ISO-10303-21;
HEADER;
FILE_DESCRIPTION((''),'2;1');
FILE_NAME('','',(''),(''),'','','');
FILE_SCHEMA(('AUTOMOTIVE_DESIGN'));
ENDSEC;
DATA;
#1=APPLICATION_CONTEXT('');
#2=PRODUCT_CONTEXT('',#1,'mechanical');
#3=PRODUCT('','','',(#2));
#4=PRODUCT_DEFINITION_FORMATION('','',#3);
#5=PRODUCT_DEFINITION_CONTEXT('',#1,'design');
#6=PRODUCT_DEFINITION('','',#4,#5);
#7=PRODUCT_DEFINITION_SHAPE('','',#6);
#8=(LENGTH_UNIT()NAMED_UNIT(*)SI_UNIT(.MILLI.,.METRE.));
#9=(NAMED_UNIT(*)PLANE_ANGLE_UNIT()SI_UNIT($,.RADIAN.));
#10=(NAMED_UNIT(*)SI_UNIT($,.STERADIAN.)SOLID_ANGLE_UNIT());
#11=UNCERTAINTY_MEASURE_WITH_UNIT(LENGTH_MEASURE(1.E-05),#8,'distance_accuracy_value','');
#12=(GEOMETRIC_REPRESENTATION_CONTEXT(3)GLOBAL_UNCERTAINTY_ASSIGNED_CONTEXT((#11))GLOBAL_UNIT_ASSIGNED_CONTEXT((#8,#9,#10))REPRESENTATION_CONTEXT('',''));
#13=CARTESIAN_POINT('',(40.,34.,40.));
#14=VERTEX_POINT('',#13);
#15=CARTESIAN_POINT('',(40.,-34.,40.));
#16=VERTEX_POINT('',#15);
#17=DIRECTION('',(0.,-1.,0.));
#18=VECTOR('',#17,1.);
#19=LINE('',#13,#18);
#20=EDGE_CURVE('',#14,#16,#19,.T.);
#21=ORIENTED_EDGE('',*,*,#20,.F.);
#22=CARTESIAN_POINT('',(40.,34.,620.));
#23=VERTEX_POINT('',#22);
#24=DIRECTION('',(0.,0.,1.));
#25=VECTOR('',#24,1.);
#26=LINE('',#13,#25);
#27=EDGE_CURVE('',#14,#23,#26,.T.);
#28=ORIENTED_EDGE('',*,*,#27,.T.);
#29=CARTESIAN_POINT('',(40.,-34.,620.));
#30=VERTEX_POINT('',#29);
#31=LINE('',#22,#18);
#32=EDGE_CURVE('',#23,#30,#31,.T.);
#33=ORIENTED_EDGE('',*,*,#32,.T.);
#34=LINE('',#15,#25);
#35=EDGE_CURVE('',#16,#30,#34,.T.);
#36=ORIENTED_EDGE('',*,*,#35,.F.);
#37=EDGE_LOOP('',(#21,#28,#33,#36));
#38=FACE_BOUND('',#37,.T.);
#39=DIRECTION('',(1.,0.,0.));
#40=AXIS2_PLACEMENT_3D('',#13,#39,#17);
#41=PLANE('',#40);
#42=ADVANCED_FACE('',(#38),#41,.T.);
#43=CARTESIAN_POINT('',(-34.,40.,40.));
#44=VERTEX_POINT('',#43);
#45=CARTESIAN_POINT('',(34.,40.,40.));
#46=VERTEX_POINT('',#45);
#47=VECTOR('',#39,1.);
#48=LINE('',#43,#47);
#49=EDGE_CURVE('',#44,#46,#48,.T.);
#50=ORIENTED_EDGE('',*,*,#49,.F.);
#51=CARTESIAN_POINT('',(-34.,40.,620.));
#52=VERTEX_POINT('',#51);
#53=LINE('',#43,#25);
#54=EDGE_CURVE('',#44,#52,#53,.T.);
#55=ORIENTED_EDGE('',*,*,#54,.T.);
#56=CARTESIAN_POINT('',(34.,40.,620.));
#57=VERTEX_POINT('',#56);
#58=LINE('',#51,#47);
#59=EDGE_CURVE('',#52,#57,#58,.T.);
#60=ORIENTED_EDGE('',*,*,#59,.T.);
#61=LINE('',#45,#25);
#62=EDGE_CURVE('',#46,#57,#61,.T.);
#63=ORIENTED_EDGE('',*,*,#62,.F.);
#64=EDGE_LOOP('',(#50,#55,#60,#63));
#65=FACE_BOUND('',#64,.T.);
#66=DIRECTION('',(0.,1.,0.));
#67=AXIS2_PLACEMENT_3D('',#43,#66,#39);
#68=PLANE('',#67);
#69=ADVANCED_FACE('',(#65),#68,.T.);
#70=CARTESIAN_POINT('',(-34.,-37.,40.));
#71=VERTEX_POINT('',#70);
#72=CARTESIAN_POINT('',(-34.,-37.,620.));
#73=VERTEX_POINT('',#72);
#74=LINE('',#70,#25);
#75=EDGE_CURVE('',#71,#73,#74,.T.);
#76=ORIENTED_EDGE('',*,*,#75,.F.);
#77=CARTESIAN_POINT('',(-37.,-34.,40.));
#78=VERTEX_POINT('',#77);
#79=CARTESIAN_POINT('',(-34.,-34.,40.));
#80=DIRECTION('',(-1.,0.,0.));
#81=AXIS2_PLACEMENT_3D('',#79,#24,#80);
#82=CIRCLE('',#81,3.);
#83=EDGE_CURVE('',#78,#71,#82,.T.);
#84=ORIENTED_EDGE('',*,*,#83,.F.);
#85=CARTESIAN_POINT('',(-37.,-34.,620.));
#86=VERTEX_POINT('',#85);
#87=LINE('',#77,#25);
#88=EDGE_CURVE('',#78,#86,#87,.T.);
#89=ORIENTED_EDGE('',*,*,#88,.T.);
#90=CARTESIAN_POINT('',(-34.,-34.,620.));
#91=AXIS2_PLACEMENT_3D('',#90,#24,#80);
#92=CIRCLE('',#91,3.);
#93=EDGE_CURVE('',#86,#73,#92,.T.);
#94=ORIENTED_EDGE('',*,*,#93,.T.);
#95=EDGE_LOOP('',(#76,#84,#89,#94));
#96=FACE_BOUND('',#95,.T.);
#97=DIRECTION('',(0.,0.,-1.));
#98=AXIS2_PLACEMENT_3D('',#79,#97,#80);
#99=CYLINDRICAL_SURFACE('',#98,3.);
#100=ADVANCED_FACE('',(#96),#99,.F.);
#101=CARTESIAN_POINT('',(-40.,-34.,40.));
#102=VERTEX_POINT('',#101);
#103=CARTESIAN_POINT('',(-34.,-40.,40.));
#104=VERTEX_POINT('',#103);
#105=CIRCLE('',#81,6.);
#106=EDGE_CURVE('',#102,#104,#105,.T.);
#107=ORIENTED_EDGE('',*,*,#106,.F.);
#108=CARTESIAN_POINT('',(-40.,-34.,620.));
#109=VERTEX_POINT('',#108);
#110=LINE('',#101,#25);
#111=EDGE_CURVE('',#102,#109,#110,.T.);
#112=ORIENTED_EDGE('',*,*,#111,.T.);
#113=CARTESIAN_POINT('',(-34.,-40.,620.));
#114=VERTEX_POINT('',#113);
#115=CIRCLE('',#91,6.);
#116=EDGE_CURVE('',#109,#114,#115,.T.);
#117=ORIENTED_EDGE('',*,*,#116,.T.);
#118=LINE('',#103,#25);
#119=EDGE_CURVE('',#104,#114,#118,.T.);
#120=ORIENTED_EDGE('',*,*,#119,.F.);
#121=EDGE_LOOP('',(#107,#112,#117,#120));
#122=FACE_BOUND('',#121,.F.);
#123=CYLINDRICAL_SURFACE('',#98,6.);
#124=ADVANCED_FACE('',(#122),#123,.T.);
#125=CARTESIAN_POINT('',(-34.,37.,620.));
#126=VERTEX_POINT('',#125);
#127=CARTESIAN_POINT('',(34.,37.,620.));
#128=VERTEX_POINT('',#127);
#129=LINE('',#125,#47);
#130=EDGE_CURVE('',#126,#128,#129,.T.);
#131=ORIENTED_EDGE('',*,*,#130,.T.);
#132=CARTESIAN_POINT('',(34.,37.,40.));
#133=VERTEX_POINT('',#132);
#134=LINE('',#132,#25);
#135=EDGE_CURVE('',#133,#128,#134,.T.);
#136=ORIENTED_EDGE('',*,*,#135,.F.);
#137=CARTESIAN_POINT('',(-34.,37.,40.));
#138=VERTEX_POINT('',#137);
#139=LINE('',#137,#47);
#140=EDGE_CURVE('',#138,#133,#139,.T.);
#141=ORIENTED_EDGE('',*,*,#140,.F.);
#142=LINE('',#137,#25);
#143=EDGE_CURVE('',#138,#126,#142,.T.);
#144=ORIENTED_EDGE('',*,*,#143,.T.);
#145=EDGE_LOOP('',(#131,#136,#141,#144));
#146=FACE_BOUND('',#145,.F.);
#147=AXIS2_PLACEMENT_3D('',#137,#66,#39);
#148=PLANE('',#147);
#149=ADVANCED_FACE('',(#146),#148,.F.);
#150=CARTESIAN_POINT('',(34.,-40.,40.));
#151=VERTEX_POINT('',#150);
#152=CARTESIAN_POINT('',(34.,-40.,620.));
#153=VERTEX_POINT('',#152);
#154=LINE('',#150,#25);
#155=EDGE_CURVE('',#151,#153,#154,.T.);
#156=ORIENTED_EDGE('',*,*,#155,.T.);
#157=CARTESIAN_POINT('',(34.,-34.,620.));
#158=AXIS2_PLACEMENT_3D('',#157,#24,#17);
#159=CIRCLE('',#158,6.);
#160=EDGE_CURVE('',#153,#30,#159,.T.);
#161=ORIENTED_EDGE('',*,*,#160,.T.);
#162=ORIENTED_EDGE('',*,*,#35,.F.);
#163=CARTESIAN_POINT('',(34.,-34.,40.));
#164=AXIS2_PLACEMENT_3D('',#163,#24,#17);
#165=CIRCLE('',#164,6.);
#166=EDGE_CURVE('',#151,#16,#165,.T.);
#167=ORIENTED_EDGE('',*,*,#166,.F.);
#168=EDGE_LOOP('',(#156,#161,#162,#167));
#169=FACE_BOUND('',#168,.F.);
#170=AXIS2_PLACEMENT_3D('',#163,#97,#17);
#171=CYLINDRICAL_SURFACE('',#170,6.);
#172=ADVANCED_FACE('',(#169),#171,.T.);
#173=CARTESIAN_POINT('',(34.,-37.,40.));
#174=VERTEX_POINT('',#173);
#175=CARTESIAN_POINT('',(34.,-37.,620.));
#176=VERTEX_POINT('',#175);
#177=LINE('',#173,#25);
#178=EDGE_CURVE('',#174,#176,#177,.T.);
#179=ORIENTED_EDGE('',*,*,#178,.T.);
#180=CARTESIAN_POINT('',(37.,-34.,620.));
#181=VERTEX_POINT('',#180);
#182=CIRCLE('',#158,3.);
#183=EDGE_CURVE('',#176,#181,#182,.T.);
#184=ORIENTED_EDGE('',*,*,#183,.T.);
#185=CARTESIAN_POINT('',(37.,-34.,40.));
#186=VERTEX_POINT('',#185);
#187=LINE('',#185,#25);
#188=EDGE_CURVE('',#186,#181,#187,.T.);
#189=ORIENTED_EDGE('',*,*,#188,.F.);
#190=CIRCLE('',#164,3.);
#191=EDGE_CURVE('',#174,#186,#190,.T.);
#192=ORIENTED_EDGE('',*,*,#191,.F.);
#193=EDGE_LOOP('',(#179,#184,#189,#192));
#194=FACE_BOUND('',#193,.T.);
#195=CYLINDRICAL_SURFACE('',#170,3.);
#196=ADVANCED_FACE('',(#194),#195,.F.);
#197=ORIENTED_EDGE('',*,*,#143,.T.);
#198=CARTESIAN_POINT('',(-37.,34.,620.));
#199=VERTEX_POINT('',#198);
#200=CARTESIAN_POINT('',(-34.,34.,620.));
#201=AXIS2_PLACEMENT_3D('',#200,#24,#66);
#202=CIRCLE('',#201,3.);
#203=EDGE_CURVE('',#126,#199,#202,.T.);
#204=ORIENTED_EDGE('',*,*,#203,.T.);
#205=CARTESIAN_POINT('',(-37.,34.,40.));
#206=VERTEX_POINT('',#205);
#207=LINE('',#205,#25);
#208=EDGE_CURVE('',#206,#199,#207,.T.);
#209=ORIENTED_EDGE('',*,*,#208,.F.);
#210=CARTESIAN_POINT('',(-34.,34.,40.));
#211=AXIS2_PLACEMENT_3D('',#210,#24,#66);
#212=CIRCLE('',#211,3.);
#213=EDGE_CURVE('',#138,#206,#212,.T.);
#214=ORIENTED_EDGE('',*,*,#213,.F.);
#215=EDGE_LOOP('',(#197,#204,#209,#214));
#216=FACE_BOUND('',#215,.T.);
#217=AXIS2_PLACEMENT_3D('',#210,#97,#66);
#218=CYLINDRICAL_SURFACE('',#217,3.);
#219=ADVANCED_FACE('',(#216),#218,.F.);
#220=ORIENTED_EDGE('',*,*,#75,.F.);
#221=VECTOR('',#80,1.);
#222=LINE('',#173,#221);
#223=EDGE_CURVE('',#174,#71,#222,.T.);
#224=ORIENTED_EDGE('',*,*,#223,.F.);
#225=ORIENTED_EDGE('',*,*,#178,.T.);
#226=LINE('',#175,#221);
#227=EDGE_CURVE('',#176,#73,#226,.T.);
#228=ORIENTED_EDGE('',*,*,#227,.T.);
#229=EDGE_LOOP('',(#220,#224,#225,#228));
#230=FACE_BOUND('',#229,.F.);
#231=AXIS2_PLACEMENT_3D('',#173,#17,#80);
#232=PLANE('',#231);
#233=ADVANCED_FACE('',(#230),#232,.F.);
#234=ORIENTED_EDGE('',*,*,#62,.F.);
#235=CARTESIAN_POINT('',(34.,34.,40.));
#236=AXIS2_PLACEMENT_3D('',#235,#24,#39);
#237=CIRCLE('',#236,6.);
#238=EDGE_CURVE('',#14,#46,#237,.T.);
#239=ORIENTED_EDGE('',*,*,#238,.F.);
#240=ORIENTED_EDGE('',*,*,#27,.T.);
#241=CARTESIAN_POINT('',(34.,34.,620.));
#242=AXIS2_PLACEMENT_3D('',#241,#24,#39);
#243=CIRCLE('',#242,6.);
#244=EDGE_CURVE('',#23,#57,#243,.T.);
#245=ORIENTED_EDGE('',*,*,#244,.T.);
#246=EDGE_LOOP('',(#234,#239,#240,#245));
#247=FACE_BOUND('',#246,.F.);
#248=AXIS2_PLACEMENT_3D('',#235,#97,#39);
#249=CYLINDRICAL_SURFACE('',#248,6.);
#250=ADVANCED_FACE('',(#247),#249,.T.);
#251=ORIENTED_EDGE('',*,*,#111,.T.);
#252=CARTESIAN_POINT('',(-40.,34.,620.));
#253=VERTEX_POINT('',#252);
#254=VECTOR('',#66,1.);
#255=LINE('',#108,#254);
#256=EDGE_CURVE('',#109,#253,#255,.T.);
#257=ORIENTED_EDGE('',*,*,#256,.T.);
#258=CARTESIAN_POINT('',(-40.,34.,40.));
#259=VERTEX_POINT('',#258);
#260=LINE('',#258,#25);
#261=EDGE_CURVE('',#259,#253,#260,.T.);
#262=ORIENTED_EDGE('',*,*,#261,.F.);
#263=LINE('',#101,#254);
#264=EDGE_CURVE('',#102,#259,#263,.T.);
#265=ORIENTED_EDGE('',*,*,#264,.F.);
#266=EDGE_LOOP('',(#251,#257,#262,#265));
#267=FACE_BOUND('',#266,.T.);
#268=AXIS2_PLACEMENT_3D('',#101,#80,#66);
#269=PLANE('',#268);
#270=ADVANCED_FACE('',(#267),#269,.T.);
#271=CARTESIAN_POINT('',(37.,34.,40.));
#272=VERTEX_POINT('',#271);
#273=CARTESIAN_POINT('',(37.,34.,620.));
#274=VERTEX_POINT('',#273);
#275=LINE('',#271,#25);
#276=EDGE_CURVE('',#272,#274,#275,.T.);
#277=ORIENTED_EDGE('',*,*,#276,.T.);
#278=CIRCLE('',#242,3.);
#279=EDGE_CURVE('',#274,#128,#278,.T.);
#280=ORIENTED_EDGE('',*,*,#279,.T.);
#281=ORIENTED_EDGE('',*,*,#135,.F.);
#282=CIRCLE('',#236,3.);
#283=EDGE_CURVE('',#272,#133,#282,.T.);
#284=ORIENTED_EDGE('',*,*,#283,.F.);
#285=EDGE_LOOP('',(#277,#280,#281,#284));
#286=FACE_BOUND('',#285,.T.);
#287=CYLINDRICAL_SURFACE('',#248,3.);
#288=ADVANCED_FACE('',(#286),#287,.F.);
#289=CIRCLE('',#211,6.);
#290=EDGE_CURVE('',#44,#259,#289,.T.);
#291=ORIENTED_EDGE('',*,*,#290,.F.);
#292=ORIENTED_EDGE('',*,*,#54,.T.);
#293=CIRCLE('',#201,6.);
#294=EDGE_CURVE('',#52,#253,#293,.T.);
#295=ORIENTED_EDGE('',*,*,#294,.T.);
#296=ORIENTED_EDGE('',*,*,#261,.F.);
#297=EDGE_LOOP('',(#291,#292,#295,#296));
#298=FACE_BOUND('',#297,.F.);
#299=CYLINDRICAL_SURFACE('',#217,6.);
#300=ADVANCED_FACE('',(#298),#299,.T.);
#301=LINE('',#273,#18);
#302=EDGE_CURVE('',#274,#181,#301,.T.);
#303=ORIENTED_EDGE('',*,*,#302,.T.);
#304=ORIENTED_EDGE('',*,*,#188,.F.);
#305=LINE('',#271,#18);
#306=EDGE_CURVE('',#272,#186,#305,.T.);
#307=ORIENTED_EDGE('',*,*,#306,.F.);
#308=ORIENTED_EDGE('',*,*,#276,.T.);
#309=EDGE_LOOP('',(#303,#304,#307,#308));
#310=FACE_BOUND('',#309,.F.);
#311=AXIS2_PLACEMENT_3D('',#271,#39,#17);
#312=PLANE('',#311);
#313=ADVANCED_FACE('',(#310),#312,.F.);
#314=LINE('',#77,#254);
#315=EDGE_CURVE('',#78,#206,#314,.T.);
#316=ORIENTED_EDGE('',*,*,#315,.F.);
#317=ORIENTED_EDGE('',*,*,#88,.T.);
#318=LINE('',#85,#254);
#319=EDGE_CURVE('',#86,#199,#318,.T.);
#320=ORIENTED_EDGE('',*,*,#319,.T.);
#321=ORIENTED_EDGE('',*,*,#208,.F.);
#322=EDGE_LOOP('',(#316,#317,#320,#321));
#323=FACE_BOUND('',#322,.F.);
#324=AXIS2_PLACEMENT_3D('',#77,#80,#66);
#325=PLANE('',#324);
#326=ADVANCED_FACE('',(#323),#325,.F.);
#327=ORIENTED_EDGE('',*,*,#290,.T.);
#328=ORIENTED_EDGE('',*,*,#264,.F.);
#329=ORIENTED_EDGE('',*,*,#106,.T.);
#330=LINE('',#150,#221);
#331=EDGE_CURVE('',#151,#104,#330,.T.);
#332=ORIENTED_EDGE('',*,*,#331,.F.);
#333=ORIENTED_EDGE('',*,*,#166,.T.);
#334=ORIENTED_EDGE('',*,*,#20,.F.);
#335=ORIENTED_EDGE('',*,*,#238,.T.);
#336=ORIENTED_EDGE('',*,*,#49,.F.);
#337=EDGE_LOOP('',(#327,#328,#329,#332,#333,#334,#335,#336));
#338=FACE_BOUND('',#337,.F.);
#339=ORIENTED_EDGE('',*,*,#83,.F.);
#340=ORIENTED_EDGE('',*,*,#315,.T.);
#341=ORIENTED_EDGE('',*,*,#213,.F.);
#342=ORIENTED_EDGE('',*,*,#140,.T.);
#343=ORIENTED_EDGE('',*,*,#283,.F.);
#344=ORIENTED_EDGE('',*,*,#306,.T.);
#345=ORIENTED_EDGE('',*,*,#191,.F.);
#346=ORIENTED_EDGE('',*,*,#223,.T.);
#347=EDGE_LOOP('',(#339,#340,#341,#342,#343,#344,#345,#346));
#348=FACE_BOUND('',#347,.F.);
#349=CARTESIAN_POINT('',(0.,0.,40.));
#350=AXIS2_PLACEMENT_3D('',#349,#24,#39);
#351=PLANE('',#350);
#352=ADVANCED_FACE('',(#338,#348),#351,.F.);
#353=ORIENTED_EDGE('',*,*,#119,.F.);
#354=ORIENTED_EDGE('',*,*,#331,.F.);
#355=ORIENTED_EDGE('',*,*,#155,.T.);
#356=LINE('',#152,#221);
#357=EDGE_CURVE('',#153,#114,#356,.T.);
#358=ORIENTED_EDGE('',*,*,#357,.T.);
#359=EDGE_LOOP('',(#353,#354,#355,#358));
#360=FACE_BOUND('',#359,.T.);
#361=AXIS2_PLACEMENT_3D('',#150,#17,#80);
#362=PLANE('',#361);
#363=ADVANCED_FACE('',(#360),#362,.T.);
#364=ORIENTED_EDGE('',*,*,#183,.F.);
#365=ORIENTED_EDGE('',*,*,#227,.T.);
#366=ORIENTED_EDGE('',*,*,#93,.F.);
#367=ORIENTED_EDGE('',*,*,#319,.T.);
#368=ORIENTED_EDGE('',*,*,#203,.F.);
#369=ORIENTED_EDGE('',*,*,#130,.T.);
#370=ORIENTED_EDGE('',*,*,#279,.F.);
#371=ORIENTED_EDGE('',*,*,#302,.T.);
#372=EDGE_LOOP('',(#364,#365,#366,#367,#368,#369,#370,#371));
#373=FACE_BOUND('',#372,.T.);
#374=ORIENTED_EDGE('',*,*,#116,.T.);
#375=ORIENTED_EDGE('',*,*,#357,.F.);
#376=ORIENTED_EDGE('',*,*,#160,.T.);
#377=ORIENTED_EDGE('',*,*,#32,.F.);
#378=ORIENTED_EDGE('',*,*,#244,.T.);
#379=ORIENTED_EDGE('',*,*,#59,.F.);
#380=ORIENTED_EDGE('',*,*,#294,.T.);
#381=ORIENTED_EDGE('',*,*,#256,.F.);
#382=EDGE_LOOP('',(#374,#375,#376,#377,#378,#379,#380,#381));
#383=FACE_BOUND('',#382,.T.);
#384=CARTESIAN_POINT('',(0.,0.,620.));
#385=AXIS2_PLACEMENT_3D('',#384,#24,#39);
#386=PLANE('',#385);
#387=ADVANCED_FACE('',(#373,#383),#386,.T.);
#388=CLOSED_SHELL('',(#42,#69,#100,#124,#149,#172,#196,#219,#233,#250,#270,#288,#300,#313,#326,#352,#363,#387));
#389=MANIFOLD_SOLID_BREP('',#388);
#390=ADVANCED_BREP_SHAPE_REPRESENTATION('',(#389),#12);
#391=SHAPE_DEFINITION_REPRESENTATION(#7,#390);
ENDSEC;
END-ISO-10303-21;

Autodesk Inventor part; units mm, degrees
ref_plane "YZ Plane" through (0, 0, 0) normal (1, 0, 0) x (0, 1, 0)
ref_plane "Start Plane" through (0, 0, 40) normal (0, 0, 1) x (1, 0, 0)
ref_plane "End Plane" through (0, 0, 620) normal (0, 0, 1) x (1, 0, 0)
sketch "Sketch" plane through (0, 0, 0) normal (0, 0, 1) x (1, 0, 0)
  line L0 (-40, -34) -> (-40, 34)
  line L1 (-34, 40) -> (34, 40)
  line L2 (40, 34) -> (40, -34)
  line L3 (34, -40) -> (-34, -40)
  arc A0 (-40, -34) -> (-34, -40) centre (-34, -34) ccw
  arc A1 (40, 34) -> (34, 40) centre (34, 34) ccw
  arc A2 (-34, 40) -> (-40, 34) centre (-34, 34) ccw
  arc A3 (34, -40) -> (40, -34) centre (34, -34) ccw
  arc A4 (-34, 37) -> (-37, 34) centre (-34, 34) ccw
  line L4 (-34, 37) -> (34, 37)
  arc A5 (37, 34) -> (34, 37) centre (34, 34) ccw
  line L5 (37, 34) -> (37, -34)
  arc A6 (34, -37) -> (37, -34) centre (34, -34) ccw
  line L6 (34, -37) -> (-34, -37)
  arc A7 (-37, -34) -> (-34, -37) centre (-34, -34) ccw
  line L7 (-37, -34) -> (-37, 34)
  line L8 (0, 57.7397) -> (0, -57.7397) construction
  line L9 (-57.7397, 0) -> (57.7397, 0) construction
  dimension "d7" = 6
  dimension "d9" = 80
  dimension "d11" = 80
  dimension "d12" = 3
  dimension "d15" = 40
  dimension "d16" = 40
extrude "Body" add sketch "Sketch" along normal up to surface (580 mm away) from surface at 40
sketch "Sketch3" plane through (0, 0, 0) normal (0, 0, 1) x (1, 0, 0)
  line L0 (0, 0) -> (10, 0)
ref_plane "Work Plane3" through (0, 0, 0) normal (0, -1, 0) x (1, 0, 0)
sketch "Sketch4" plane through (0, 0, 0) normal (0, -1, 0) x (1, 0, 0)
  line L0 (-2, 40) -> (12, 40) projected
  line L1 (-2, 620) -> (12, 620) projected
  dimension "d18" = 580
equation "\"d7\" = G_IR"
equation "\"d9\" = G_W"
equation "\"d11\" = G_H"
equation "\"d12\" = G_T"
equation "\"d15\" = 0.5 * d9"
equation "\"d16\" = 0.5 * d11"
equation "\"d3\" = G_L"
equation "\"G_W\" = 80"
equation "\"G_H\" = 80"
equation "\"G_T\" = 3"
equation "\"G_IR\" = 6"
equation "\"G_L\" = d18"
properties part number "ISO 10799-2 - 80x80x3 - 580" material "Steel, Mild"
